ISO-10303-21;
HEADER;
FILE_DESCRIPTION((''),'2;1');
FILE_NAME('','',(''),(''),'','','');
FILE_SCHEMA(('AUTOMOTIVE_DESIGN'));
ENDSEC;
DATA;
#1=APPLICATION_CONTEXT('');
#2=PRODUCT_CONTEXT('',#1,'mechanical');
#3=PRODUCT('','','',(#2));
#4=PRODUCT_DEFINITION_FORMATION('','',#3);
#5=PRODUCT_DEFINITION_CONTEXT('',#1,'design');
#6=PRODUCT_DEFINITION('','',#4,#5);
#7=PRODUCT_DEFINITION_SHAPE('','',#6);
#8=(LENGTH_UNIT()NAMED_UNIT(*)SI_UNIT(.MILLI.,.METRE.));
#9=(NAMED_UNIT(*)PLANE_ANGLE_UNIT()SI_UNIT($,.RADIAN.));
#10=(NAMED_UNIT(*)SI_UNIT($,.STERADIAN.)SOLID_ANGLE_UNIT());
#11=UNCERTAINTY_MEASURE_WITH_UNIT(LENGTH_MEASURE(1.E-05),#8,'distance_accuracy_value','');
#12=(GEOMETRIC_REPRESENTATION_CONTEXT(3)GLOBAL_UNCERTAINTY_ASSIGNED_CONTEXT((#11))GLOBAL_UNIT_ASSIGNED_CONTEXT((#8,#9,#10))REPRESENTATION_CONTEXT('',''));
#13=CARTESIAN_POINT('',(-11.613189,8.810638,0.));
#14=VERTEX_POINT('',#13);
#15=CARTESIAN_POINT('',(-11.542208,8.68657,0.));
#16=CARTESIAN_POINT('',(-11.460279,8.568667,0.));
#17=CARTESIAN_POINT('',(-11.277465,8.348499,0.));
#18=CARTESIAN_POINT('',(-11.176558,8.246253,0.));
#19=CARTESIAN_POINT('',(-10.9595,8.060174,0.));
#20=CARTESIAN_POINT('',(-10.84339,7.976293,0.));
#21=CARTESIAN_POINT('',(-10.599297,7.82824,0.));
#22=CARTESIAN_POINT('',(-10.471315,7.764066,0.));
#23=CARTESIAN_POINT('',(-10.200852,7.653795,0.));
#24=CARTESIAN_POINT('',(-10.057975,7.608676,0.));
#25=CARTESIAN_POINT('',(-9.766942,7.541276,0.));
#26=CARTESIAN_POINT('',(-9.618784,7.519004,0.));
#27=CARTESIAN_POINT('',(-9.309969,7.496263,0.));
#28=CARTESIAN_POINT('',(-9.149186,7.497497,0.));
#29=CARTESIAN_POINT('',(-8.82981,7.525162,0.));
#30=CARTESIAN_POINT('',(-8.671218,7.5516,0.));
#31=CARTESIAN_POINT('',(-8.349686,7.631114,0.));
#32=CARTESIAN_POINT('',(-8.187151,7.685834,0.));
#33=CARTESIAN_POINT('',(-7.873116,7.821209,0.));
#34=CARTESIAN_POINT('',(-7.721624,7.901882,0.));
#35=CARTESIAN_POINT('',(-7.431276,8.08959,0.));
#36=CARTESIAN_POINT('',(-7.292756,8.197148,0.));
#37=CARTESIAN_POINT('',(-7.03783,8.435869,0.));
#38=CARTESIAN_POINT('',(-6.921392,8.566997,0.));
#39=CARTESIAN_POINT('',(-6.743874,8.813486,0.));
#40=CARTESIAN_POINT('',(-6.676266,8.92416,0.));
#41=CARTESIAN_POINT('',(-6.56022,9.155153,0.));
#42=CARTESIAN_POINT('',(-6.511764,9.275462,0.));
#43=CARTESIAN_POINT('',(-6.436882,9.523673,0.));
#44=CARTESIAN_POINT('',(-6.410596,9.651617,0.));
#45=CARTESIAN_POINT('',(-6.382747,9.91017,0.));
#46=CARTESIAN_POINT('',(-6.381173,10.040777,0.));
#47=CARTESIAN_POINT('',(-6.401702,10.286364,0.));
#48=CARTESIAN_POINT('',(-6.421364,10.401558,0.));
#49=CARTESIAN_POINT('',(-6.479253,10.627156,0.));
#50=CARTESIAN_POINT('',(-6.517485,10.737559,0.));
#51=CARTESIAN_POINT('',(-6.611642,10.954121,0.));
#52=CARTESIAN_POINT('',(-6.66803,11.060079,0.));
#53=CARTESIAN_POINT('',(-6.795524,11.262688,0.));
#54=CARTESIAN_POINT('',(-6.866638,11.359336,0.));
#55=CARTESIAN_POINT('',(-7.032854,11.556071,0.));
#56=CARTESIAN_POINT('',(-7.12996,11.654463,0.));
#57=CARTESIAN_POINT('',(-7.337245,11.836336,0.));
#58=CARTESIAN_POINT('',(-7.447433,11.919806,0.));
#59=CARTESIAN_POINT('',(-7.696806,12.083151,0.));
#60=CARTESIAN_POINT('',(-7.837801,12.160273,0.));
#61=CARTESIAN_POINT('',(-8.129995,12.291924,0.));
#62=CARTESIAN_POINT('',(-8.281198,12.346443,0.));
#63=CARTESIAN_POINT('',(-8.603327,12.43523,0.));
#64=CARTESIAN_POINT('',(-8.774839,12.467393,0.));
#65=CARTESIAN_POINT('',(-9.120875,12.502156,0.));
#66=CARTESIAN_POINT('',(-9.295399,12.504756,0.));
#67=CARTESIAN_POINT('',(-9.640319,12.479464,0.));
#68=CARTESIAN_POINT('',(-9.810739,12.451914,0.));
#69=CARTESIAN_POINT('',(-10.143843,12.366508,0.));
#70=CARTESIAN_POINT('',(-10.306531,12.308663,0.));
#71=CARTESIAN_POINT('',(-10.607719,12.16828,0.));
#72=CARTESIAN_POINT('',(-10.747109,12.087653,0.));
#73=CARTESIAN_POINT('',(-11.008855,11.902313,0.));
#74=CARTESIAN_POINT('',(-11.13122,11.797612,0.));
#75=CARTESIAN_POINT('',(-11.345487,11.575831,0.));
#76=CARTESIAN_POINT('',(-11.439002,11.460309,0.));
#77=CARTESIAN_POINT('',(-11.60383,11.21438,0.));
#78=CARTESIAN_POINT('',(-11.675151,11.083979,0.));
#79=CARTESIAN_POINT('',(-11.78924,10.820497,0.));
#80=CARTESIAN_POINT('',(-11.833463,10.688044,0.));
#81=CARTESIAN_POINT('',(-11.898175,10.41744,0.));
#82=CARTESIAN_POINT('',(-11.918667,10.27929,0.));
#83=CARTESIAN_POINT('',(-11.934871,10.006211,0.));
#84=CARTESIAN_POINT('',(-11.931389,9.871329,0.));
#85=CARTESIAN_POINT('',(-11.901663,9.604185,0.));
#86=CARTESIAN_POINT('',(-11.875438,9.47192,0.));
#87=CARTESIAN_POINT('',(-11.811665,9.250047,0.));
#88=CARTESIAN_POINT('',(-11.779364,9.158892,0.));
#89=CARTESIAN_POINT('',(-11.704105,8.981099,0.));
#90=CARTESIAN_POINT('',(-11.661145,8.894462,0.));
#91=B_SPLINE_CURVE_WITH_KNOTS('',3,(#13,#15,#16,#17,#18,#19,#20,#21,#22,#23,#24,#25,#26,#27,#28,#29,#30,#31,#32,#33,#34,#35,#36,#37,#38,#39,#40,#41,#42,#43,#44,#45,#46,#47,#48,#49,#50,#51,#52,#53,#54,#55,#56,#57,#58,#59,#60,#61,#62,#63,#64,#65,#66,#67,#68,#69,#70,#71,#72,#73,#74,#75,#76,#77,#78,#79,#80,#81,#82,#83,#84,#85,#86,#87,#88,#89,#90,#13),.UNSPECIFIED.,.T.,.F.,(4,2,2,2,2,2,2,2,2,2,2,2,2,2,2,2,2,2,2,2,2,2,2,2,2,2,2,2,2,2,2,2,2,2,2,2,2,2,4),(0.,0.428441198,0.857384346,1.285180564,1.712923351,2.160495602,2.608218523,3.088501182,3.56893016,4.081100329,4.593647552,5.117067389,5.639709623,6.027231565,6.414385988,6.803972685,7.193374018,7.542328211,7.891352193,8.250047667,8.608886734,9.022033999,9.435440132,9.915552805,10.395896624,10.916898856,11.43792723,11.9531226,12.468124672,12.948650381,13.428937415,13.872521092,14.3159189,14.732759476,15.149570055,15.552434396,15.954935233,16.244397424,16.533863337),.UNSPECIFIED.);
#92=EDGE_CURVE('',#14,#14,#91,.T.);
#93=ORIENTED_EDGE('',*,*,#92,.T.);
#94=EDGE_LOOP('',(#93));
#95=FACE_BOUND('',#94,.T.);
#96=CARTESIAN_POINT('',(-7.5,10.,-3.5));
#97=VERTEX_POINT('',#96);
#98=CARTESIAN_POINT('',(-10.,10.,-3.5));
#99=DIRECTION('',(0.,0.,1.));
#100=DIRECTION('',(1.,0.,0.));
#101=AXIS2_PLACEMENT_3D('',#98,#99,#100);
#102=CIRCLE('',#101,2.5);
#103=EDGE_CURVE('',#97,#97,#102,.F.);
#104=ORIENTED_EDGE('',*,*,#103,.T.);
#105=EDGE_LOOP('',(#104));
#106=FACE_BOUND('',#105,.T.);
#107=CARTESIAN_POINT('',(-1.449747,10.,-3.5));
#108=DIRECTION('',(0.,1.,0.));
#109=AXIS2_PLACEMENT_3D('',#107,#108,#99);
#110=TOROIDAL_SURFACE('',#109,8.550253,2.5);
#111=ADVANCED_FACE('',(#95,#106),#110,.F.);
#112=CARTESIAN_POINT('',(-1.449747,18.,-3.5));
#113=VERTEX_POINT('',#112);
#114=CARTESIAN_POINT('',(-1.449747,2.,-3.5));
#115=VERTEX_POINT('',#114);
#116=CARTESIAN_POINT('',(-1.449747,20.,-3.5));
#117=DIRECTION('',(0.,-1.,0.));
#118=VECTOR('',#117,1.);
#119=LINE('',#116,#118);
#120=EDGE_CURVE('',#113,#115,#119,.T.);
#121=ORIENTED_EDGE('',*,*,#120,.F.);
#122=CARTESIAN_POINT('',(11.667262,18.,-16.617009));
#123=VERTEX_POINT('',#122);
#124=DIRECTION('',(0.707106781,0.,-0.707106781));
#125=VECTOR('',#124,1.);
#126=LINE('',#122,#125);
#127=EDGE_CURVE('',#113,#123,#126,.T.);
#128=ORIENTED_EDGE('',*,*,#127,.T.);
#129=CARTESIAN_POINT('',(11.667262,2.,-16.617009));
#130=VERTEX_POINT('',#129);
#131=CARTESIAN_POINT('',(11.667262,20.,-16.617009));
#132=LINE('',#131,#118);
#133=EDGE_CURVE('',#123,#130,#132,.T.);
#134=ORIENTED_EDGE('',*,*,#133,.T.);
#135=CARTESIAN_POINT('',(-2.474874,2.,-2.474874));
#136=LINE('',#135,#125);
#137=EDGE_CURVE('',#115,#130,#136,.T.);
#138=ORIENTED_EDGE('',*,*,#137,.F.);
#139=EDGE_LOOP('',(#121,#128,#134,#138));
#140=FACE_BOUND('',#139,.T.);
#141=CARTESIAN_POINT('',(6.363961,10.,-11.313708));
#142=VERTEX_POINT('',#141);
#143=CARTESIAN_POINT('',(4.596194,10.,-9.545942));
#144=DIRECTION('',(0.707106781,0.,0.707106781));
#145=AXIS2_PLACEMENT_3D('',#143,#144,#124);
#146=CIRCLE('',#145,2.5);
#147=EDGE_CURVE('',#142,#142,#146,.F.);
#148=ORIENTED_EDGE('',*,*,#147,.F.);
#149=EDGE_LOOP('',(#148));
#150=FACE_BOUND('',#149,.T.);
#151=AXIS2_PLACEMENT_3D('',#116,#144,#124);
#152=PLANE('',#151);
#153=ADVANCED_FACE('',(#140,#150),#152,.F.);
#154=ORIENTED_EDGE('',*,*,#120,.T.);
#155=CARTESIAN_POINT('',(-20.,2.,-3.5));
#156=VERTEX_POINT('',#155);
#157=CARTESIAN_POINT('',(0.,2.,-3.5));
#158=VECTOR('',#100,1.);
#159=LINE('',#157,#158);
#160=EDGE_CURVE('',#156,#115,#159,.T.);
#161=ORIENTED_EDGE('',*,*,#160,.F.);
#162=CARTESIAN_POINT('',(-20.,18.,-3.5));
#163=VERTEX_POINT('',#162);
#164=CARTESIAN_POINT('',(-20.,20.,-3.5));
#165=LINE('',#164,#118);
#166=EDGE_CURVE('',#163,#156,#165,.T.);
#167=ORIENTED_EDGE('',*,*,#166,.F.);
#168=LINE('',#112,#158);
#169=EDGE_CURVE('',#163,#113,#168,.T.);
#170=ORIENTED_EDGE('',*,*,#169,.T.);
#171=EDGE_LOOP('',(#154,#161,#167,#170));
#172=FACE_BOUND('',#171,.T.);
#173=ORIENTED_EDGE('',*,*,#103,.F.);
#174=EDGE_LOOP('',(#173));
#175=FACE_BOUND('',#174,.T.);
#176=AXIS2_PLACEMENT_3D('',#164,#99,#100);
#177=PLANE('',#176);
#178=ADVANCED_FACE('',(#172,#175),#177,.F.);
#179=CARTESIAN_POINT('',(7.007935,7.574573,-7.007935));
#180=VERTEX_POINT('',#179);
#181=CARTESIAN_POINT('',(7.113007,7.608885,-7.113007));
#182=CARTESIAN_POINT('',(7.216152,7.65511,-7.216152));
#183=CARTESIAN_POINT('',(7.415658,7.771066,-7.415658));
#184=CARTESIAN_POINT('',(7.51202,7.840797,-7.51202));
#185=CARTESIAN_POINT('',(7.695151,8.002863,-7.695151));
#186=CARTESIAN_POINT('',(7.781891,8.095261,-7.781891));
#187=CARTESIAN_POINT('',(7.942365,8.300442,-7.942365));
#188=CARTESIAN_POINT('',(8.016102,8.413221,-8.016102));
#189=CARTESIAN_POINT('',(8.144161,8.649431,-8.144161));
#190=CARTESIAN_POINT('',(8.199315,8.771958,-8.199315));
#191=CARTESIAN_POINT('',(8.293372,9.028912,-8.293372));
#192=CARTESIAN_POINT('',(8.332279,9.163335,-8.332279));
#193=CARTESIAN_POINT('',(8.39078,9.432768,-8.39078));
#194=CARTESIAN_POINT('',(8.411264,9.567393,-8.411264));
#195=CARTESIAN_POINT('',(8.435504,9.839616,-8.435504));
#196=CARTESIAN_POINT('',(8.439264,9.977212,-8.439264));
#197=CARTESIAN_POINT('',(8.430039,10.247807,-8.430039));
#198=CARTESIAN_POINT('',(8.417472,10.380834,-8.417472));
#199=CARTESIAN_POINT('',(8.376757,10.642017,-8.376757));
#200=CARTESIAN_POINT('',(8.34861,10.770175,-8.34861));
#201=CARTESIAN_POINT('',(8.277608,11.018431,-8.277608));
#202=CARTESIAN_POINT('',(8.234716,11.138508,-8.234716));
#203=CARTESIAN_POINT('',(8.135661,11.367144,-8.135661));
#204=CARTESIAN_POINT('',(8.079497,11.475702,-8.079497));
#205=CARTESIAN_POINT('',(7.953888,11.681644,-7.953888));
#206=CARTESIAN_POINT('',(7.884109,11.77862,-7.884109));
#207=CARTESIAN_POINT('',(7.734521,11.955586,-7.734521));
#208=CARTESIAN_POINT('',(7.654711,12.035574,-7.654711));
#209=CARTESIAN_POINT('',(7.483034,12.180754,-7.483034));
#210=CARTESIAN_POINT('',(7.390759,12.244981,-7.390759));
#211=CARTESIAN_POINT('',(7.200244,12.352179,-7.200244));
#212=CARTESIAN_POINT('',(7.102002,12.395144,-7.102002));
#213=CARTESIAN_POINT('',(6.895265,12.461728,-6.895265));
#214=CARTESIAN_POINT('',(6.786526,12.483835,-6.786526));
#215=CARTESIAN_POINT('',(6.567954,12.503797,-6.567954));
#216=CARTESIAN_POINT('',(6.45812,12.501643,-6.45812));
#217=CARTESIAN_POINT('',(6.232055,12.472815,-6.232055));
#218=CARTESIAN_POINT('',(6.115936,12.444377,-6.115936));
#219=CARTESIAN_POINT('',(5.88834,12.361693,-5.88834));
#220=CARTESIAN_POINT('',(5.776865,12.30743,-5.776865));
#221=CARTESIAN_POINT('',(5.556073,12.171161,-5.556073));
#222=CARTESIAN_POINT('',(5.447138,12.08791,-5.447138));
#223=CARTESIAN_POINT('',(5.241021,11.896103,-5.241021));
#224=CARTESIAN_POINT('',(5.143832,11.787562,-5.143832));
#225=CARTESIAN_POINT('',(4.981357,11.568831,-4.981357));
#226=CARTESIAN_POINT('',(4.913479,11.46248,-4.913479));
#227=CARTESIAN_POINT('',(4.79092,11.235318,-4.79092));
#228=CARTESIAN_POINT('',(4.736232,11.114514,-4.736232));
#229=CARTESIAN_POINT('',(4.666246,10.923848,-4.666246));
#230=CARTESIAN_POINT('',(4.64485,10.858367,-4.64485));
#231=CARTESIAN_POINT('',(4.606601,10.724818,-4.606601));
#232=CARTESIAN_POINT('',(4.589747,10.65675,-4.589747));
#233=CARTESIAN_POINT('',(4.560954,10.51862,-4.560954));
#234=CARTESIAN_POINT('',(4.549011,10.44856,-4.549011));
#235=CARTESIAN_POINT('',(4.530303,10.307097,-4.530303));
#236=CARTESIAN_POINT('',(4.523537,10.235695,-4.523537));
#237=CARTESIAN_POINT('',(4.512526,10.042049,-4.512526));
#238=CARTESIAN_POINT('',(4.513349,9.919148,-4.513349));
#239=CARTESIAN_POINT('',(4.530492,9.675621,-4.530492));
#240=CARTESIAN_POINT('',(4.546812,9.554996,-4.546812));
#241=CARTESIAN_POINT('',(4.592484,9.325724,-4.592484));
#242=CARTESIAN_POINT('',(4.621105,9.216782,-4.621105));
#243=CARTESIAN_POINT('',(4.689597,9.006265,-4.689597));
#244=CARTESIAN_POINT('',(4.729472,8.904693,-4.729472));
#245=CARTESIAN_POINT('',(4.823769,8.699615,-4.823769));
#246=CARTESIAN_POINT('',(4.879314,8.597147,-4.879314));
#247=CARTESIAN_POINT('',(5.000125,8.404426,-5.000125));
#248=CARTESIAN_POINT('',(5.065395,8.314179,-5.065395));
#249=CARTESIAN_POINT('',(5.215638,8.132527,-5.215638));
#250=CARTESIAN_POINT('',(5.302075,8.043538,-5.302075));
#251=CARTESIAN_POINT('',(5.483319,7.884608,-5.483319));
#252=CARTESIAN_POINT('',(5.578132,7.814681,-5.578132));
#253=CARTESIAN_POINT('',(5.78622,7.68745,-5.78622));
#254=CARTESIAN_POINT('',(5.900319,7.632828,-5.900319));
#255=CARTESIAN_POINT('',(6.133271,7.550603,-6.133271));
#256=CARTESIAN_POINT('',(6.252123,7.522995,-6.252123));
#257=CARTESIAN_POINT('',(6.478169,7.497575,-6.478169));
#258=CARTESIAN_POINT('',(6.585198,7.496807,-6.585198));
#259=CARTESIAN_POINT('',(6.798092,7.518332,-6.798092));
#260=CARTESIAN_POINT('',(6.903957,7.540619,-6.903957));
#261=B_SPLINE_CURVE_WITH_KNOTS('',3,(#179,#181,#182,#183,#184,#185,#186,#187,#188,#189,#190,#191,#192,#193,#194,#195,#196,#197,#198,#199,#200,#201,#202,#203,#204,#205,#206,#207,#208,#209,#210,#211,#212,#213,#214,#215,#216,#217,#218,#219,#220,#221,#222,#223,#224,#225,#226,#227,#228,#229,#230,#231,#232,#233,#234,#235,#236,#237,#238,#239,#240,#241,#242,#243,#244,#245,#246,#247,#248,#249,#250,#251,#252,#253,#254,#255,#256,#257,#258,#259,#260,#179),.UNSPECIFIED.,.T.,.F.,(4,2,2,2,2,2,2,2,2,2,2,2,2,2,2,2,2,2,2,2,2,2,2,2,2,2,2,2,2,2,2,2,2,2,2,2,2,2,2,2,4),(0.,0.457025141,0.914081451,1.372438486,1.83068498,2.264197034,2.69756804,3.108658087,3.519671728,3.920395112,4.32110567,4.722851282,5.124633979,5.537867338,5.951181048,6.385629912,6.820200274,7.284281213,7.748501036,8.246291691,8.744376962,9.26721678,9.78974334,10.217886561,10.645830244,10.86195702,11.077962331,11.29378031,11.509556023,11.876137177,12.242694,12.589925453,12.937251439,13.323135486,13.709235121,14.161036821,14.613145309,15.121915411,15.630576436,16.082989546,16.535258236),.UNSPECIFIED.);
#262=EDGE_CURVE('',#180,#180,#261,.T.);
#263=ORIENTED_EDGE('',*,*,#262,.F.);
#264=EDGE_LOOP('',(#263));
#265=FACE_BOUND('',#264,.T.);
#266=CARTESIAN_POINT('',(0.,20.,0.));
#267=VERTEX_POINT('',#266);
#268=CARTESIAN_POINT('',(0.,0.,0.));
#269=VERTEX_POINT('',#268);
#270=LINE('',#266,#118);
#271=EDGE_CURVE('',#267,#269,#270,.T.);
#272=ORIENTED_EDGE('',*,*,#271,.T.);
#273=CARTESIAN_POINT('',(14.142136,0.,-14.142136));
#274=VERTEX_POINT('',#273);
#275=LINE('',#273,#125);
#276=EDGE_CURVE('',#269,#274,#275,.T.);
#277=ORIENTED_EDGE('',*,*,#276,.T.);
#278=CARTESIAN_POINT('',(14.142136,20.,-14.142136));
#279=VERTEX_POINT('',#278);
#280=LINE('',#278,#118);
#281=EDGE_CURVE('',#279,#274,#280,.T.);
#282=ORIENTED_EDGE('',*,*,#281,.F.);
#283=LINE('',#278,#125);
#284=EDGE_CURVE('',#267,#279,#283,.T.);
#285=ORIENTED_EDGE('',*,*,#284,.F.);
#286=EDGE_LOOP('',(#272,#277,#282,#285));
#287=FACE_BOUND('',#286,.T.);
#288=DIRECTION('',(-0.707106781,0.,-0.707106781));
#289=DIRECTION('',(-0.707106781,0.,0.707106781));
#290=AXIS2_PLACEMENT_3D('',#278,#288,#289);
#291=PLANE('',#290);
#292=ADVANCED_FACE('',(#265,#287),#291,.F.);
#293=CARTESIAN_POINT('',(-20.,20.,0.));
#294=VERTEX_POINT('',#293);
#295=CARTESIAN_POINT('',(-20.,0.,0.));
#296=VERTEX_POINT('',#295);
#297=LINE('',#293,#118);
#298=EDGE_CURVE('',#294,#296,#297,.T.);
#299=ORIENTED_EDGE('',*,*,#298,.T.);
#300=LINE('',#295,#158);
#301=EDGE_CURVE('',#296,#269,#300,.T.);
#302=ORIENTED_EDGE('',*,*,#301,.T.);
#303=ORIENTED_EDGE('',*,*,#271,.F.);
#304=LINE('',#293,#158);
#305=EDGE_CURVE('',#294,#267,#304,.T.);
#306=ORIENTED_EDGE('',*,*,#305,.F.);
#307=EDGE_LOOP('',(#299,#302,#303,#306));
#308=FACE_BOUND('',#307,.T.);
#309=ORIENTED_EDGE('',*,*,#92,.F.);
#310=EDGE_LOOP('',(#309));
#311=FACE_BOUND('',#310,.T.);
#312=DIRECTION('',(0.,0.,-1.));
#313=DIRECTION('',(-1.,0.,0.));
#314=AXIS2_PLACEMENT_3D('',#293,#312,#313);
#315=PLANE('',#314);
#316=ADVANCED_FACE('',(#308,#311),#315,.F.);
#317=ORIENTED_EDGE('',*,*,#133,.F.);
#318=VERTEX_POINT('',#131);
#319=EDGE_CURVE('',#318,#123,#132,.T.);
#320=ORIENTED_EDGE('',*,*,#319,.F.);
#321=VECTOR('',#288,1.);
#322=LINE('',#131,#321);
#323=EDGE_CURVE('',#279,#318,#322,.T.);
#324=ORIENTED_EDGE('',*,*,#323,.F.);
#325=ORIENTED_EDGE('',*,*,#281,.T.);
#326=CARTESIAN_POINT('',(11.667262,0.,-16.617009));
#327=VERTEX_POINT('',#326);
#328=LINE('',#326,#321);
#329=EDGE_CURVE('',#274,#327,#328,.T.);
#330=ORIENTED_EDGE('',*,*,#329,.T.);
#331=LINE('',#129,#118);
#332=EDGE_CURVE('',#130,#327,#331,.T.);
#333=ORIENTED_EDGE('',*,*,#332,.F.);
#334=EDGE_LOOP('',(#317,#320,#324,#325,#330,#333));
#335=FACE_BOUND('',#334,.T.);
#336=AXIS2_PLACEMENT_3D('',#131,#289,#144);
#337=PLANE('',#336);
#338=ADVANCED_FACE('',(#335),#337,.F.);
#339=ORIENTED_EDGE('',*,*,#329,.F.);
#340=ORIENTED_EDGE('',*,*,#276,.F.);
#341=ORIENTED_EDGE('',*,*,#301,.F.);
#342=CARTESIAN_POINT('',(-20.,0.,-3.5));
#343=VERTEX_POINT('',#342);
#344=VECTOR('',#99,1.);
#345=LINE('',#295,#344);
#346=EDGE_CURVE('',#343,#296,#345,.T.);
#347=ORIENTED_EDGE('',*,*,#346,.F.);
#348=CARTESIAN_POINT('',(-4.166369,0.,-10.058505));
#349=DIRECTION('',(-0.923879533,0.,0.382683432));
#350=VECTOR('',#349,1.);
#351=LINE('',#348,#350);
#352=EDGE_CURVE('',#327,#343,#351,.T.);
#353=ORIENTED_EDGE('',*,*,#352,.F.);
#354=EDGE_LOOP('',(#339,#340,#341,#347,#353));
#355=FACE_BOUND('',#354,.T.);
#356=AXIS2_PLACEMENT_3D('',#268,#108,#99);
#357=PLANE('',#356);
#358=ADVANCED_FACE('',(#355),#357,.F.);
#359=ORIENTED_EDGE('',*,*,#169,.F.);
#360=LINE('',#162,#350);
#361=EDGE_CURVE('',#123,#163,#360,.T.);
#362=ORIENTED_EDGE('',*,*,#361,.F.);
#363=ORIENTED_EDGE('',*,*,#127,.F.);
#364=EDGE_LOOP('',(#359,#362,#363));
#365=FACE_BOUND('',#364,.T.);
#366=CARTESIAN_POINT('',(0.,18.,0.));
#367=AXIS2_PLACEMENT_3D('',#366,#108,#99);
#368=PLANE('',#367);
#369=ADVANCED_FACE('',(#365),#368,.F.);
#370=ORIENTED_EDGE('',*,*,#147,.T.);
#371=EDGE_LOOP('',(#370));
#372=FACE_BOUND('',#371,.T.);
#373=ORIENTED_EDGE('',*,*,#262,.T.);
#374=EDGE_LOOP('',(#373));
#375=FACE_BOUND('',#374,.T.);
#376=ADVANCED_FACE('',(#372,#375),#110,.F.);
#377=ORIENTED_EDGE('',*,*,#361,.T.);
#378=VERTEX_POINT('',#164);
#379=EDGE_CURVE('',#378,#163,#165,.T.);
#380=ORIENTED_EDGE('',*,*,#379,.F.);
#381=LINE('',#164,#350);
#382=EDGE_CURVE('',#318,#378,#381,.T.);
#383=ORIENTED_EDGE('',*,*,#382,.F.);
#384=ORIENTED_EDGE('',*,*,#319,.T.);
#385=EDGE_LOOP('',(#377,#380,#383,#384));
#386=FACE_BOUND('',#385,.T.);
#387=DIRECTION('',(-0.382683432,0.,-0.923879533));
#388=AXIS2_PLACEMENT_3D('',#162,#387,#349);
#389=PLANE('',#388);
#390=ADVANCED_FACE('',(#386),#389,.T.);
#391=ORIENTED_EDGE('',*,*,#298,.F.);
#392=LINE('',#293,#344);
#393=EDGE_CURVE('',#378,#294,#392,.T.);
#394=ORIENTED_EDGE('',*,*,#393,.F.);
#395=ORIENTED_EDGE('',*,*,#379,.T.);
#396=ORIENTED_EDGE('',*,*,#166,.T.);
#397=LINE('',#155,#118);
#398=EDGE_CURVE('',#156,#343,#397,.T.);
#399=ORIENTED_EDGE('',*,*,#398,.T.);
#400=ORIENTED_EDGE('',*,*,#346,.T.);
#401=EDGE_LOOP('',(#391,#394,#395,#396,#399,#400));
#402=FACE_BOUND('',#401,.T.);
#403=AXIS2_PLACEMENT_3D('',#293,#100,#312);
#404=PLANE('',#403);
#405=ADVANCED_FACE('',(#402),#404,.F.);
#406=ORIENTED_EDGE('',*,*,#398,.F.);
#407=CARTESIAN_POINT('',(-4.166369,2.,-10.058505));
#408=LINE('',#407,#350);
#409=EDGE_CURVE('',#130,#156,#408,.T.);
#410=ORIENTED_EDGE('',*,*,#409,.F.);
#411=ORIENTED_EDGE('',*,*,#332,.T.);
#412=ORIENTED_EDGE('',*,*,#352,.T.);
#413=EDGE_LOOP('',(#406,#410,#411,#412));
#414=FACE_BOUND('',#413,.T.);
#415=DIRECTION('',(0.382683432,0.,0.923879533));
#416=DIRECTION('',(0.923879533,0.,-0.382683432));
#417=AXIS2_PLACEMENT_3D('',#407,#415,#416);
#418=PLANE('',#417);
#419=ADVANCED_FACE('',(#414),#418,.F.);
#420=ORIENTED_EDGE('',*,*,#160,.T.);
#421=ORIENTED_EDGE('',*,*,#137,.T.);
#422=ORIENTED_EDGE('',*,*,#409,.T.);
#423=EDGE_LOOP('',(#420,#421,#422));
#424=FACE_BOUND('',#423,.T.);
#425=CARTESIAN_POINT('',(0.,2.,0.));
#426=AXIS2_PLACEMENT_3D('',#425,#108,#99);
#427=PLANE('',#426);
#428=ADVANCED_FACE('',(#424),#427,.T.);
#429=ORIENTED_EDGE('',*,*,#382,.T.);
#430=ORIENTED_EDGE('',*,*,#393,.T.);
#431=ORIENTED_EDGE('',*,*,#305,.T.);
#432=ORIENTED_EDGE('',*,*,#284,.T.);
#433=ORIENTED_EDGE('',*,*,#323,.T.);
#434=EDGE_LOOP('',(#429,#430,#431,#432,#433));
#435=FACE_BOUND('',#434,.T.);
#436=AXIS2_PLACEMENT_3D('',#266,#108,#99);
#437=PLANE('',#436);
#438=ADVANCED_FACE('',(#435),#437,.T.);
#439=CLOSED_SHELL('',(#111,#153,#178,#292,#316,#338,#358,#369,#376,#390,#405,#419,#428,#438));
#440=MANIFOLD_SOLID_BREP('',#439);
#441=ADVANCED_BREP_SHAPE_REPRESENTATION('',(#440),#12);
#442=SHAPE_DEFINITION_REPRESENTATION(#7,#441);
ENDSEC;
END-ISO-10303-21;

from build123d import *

# Parameters (mm, degrees)
BOSS_EXTRUDE1_DEPTH = 20
BOSS_EXTRUDE2_DEPTH = 2
BOSS_EXTRUDE3_START = -20
BOSS_EXTRUDE3_DEPTH = 2
SKETCH3_R           = 2.5


with BuildPart() as part:
    # Sketch1 → Boss-Extrude1 (new body)
    with BuildSketch(Plane(origin=(0, 0, 0), x_dir=(1, 0, 0), z_dir=(0, 1, 0))):
        Polygon((-20, 3.5), (-1.449747468, 3.5), (11.66726189, 16.617009358), (14.142135624, 14.142135624), (0, 0), (-20, 0), align=None)
    extrude(amount=BOSS_EXTRUDE1_DEPTH)

    # Sketch2 → Boss-Extrude2 (add)
    with BuildSketch(Plane(origin=(0, 20, 0), x_dir=(1, 0, 0), z_dir=(0, 1, 0))):
        Polygon((-20, 3.5), (11.66726189, 16.617009358), (-1.449747468, 3.5), align=None)
    extrude(amount=-BOSS_EXTRUDE2_DEPTH)

    # Sketch2<2> → Boss-Extrude3 (add)
    with BuildSketch(Plane(origin=(0, 20, 0), x_dir=(1, 0, 0), z_dir=(0, 1, 0)).offset(BOSS_EXTRUDE3_START)):
        Polygon((-20, 3.5), (11.66726189, 16.617009358), (-1.449747468, 3.5), align=None)
    extrude(amount=BOSS_EXTRUDE3_DEPTH)

    # Sketch3 → Cut-Revolve1 (revolve, cut)
    with BuildSketch(Plane(origin=(0, 0, -3.5), x_dir=(-1, 0, 0), z_dir=(0, 0, -1)), mode=Mode.PRIVATE) as cut_revolve1_sk:
        with Locations((10, 10)):
            Circle(SKETCH3_R)
    revolve(cut_revolve1_sk.sketch.rotate(Axis((-1.449747468, 20, -3.5), (0, -1, 0)), 350.498874786), axis=Axis((-1.449747468, 20, -3.5), (0, -1, 0)), mode=Mode.SUBTRACT)


solid = part.part
